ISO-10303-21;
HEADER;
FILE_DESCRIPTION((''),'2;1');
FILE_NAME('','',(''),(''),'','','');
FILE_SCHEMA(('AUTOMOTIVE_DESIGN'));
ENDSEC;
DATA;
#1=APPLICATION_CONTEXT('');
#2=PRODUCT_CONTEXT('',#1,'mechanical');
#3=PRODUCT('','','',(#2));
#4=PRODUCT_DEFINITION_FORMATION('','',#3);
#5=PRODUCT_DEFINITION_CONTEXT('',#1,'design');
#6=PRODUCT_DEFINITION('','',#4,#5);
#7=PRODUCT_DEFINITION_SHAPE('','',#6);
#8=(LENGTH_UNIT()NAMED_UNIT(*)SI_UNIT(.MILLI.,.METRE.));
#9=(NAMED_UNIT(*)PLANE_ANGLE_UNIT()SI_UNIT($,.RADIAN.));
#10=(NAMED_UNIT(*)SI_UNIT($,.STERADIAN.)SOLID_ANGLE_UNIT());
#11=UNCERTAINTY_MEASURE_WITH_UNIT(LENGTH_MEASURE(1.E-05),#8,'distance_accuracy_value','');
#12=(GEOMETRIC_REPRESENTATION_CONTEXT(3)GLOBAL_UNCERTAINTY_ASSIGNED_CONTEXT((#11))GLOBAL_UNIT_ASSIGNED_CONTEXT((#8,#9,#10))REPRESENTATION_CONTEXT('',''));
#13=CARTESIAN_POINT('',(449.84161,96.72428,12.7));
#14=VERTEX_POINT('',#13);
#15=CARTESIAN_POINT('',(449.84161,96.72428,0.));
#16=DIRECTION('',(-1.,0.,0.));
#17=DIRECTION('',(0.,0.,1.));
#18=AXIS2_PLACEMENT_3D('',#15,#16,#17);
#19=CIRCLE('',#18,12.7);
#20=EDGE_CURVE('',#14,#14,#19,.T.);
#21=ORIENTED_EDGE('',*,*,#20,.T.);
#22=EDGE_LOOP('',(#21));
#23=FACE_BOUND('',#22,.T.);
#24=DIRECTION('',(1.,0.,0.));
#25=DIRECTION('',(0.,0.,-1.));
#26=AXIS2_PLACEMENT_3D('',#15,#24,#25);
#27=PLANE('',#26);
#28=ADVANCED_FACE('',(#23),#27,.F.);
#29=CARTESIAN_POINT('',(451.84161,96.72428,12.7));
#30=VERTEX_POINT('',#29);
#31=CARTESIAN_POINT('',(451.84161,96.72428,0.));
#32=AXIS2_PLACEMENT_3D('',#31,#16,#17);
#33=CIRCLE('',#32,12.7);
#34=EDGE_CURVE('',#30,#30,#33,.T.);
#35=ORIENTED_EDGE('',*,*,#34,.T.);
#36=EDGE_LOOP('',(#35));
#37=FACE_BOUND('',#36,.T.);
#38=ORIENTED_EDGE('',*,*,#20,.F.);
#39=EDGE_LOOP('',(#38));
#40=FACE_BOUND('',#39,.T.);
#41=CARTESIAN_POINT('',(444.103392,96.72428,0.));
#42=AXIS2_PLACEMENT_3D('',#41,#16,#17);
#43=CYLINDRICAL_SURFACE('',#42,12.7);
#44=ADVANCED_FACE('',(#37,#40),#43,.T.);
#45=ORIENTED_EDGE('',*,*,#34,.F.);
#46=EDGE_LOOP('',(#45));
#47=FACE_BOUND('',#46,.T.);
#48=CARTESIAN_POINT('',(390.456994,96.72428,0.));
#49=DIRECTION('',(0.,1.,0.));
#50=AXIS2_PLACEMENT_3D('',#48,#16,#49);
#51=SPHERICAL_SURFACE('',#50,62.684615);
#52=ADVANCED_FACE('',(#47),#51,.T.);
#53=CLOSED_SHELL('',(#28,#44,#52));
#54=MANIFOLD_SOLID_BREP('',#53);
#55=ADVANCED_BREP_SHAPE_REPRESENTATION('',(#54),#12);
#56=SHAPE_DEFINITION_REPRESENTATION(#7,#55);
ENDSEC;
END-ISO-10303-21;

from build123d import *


with BuildPart() as part:
    # 草图1 → 旋转1 (revolve)
    with BuildSketch(Plane.XY):
        with BuildLine():
            Line((449.841609705, 96.724279513), (449.841609705, 109.424279513))
            Line((449.841609705, 109.424279513), (451.841609705, 109.424279513))
            ThreePointArc((451.841609705, 109.424279513), (452.815762797, 103.107460538), (453.141609705, 96.724279513))
            Line((453.141609705, 96.724279513), (449.841609705, 96.724279513))
        make_face()
    revolve(axis=Axis((444.103391669, 96.724279513, 0), (1, 0, 0)))


solid = part.part
